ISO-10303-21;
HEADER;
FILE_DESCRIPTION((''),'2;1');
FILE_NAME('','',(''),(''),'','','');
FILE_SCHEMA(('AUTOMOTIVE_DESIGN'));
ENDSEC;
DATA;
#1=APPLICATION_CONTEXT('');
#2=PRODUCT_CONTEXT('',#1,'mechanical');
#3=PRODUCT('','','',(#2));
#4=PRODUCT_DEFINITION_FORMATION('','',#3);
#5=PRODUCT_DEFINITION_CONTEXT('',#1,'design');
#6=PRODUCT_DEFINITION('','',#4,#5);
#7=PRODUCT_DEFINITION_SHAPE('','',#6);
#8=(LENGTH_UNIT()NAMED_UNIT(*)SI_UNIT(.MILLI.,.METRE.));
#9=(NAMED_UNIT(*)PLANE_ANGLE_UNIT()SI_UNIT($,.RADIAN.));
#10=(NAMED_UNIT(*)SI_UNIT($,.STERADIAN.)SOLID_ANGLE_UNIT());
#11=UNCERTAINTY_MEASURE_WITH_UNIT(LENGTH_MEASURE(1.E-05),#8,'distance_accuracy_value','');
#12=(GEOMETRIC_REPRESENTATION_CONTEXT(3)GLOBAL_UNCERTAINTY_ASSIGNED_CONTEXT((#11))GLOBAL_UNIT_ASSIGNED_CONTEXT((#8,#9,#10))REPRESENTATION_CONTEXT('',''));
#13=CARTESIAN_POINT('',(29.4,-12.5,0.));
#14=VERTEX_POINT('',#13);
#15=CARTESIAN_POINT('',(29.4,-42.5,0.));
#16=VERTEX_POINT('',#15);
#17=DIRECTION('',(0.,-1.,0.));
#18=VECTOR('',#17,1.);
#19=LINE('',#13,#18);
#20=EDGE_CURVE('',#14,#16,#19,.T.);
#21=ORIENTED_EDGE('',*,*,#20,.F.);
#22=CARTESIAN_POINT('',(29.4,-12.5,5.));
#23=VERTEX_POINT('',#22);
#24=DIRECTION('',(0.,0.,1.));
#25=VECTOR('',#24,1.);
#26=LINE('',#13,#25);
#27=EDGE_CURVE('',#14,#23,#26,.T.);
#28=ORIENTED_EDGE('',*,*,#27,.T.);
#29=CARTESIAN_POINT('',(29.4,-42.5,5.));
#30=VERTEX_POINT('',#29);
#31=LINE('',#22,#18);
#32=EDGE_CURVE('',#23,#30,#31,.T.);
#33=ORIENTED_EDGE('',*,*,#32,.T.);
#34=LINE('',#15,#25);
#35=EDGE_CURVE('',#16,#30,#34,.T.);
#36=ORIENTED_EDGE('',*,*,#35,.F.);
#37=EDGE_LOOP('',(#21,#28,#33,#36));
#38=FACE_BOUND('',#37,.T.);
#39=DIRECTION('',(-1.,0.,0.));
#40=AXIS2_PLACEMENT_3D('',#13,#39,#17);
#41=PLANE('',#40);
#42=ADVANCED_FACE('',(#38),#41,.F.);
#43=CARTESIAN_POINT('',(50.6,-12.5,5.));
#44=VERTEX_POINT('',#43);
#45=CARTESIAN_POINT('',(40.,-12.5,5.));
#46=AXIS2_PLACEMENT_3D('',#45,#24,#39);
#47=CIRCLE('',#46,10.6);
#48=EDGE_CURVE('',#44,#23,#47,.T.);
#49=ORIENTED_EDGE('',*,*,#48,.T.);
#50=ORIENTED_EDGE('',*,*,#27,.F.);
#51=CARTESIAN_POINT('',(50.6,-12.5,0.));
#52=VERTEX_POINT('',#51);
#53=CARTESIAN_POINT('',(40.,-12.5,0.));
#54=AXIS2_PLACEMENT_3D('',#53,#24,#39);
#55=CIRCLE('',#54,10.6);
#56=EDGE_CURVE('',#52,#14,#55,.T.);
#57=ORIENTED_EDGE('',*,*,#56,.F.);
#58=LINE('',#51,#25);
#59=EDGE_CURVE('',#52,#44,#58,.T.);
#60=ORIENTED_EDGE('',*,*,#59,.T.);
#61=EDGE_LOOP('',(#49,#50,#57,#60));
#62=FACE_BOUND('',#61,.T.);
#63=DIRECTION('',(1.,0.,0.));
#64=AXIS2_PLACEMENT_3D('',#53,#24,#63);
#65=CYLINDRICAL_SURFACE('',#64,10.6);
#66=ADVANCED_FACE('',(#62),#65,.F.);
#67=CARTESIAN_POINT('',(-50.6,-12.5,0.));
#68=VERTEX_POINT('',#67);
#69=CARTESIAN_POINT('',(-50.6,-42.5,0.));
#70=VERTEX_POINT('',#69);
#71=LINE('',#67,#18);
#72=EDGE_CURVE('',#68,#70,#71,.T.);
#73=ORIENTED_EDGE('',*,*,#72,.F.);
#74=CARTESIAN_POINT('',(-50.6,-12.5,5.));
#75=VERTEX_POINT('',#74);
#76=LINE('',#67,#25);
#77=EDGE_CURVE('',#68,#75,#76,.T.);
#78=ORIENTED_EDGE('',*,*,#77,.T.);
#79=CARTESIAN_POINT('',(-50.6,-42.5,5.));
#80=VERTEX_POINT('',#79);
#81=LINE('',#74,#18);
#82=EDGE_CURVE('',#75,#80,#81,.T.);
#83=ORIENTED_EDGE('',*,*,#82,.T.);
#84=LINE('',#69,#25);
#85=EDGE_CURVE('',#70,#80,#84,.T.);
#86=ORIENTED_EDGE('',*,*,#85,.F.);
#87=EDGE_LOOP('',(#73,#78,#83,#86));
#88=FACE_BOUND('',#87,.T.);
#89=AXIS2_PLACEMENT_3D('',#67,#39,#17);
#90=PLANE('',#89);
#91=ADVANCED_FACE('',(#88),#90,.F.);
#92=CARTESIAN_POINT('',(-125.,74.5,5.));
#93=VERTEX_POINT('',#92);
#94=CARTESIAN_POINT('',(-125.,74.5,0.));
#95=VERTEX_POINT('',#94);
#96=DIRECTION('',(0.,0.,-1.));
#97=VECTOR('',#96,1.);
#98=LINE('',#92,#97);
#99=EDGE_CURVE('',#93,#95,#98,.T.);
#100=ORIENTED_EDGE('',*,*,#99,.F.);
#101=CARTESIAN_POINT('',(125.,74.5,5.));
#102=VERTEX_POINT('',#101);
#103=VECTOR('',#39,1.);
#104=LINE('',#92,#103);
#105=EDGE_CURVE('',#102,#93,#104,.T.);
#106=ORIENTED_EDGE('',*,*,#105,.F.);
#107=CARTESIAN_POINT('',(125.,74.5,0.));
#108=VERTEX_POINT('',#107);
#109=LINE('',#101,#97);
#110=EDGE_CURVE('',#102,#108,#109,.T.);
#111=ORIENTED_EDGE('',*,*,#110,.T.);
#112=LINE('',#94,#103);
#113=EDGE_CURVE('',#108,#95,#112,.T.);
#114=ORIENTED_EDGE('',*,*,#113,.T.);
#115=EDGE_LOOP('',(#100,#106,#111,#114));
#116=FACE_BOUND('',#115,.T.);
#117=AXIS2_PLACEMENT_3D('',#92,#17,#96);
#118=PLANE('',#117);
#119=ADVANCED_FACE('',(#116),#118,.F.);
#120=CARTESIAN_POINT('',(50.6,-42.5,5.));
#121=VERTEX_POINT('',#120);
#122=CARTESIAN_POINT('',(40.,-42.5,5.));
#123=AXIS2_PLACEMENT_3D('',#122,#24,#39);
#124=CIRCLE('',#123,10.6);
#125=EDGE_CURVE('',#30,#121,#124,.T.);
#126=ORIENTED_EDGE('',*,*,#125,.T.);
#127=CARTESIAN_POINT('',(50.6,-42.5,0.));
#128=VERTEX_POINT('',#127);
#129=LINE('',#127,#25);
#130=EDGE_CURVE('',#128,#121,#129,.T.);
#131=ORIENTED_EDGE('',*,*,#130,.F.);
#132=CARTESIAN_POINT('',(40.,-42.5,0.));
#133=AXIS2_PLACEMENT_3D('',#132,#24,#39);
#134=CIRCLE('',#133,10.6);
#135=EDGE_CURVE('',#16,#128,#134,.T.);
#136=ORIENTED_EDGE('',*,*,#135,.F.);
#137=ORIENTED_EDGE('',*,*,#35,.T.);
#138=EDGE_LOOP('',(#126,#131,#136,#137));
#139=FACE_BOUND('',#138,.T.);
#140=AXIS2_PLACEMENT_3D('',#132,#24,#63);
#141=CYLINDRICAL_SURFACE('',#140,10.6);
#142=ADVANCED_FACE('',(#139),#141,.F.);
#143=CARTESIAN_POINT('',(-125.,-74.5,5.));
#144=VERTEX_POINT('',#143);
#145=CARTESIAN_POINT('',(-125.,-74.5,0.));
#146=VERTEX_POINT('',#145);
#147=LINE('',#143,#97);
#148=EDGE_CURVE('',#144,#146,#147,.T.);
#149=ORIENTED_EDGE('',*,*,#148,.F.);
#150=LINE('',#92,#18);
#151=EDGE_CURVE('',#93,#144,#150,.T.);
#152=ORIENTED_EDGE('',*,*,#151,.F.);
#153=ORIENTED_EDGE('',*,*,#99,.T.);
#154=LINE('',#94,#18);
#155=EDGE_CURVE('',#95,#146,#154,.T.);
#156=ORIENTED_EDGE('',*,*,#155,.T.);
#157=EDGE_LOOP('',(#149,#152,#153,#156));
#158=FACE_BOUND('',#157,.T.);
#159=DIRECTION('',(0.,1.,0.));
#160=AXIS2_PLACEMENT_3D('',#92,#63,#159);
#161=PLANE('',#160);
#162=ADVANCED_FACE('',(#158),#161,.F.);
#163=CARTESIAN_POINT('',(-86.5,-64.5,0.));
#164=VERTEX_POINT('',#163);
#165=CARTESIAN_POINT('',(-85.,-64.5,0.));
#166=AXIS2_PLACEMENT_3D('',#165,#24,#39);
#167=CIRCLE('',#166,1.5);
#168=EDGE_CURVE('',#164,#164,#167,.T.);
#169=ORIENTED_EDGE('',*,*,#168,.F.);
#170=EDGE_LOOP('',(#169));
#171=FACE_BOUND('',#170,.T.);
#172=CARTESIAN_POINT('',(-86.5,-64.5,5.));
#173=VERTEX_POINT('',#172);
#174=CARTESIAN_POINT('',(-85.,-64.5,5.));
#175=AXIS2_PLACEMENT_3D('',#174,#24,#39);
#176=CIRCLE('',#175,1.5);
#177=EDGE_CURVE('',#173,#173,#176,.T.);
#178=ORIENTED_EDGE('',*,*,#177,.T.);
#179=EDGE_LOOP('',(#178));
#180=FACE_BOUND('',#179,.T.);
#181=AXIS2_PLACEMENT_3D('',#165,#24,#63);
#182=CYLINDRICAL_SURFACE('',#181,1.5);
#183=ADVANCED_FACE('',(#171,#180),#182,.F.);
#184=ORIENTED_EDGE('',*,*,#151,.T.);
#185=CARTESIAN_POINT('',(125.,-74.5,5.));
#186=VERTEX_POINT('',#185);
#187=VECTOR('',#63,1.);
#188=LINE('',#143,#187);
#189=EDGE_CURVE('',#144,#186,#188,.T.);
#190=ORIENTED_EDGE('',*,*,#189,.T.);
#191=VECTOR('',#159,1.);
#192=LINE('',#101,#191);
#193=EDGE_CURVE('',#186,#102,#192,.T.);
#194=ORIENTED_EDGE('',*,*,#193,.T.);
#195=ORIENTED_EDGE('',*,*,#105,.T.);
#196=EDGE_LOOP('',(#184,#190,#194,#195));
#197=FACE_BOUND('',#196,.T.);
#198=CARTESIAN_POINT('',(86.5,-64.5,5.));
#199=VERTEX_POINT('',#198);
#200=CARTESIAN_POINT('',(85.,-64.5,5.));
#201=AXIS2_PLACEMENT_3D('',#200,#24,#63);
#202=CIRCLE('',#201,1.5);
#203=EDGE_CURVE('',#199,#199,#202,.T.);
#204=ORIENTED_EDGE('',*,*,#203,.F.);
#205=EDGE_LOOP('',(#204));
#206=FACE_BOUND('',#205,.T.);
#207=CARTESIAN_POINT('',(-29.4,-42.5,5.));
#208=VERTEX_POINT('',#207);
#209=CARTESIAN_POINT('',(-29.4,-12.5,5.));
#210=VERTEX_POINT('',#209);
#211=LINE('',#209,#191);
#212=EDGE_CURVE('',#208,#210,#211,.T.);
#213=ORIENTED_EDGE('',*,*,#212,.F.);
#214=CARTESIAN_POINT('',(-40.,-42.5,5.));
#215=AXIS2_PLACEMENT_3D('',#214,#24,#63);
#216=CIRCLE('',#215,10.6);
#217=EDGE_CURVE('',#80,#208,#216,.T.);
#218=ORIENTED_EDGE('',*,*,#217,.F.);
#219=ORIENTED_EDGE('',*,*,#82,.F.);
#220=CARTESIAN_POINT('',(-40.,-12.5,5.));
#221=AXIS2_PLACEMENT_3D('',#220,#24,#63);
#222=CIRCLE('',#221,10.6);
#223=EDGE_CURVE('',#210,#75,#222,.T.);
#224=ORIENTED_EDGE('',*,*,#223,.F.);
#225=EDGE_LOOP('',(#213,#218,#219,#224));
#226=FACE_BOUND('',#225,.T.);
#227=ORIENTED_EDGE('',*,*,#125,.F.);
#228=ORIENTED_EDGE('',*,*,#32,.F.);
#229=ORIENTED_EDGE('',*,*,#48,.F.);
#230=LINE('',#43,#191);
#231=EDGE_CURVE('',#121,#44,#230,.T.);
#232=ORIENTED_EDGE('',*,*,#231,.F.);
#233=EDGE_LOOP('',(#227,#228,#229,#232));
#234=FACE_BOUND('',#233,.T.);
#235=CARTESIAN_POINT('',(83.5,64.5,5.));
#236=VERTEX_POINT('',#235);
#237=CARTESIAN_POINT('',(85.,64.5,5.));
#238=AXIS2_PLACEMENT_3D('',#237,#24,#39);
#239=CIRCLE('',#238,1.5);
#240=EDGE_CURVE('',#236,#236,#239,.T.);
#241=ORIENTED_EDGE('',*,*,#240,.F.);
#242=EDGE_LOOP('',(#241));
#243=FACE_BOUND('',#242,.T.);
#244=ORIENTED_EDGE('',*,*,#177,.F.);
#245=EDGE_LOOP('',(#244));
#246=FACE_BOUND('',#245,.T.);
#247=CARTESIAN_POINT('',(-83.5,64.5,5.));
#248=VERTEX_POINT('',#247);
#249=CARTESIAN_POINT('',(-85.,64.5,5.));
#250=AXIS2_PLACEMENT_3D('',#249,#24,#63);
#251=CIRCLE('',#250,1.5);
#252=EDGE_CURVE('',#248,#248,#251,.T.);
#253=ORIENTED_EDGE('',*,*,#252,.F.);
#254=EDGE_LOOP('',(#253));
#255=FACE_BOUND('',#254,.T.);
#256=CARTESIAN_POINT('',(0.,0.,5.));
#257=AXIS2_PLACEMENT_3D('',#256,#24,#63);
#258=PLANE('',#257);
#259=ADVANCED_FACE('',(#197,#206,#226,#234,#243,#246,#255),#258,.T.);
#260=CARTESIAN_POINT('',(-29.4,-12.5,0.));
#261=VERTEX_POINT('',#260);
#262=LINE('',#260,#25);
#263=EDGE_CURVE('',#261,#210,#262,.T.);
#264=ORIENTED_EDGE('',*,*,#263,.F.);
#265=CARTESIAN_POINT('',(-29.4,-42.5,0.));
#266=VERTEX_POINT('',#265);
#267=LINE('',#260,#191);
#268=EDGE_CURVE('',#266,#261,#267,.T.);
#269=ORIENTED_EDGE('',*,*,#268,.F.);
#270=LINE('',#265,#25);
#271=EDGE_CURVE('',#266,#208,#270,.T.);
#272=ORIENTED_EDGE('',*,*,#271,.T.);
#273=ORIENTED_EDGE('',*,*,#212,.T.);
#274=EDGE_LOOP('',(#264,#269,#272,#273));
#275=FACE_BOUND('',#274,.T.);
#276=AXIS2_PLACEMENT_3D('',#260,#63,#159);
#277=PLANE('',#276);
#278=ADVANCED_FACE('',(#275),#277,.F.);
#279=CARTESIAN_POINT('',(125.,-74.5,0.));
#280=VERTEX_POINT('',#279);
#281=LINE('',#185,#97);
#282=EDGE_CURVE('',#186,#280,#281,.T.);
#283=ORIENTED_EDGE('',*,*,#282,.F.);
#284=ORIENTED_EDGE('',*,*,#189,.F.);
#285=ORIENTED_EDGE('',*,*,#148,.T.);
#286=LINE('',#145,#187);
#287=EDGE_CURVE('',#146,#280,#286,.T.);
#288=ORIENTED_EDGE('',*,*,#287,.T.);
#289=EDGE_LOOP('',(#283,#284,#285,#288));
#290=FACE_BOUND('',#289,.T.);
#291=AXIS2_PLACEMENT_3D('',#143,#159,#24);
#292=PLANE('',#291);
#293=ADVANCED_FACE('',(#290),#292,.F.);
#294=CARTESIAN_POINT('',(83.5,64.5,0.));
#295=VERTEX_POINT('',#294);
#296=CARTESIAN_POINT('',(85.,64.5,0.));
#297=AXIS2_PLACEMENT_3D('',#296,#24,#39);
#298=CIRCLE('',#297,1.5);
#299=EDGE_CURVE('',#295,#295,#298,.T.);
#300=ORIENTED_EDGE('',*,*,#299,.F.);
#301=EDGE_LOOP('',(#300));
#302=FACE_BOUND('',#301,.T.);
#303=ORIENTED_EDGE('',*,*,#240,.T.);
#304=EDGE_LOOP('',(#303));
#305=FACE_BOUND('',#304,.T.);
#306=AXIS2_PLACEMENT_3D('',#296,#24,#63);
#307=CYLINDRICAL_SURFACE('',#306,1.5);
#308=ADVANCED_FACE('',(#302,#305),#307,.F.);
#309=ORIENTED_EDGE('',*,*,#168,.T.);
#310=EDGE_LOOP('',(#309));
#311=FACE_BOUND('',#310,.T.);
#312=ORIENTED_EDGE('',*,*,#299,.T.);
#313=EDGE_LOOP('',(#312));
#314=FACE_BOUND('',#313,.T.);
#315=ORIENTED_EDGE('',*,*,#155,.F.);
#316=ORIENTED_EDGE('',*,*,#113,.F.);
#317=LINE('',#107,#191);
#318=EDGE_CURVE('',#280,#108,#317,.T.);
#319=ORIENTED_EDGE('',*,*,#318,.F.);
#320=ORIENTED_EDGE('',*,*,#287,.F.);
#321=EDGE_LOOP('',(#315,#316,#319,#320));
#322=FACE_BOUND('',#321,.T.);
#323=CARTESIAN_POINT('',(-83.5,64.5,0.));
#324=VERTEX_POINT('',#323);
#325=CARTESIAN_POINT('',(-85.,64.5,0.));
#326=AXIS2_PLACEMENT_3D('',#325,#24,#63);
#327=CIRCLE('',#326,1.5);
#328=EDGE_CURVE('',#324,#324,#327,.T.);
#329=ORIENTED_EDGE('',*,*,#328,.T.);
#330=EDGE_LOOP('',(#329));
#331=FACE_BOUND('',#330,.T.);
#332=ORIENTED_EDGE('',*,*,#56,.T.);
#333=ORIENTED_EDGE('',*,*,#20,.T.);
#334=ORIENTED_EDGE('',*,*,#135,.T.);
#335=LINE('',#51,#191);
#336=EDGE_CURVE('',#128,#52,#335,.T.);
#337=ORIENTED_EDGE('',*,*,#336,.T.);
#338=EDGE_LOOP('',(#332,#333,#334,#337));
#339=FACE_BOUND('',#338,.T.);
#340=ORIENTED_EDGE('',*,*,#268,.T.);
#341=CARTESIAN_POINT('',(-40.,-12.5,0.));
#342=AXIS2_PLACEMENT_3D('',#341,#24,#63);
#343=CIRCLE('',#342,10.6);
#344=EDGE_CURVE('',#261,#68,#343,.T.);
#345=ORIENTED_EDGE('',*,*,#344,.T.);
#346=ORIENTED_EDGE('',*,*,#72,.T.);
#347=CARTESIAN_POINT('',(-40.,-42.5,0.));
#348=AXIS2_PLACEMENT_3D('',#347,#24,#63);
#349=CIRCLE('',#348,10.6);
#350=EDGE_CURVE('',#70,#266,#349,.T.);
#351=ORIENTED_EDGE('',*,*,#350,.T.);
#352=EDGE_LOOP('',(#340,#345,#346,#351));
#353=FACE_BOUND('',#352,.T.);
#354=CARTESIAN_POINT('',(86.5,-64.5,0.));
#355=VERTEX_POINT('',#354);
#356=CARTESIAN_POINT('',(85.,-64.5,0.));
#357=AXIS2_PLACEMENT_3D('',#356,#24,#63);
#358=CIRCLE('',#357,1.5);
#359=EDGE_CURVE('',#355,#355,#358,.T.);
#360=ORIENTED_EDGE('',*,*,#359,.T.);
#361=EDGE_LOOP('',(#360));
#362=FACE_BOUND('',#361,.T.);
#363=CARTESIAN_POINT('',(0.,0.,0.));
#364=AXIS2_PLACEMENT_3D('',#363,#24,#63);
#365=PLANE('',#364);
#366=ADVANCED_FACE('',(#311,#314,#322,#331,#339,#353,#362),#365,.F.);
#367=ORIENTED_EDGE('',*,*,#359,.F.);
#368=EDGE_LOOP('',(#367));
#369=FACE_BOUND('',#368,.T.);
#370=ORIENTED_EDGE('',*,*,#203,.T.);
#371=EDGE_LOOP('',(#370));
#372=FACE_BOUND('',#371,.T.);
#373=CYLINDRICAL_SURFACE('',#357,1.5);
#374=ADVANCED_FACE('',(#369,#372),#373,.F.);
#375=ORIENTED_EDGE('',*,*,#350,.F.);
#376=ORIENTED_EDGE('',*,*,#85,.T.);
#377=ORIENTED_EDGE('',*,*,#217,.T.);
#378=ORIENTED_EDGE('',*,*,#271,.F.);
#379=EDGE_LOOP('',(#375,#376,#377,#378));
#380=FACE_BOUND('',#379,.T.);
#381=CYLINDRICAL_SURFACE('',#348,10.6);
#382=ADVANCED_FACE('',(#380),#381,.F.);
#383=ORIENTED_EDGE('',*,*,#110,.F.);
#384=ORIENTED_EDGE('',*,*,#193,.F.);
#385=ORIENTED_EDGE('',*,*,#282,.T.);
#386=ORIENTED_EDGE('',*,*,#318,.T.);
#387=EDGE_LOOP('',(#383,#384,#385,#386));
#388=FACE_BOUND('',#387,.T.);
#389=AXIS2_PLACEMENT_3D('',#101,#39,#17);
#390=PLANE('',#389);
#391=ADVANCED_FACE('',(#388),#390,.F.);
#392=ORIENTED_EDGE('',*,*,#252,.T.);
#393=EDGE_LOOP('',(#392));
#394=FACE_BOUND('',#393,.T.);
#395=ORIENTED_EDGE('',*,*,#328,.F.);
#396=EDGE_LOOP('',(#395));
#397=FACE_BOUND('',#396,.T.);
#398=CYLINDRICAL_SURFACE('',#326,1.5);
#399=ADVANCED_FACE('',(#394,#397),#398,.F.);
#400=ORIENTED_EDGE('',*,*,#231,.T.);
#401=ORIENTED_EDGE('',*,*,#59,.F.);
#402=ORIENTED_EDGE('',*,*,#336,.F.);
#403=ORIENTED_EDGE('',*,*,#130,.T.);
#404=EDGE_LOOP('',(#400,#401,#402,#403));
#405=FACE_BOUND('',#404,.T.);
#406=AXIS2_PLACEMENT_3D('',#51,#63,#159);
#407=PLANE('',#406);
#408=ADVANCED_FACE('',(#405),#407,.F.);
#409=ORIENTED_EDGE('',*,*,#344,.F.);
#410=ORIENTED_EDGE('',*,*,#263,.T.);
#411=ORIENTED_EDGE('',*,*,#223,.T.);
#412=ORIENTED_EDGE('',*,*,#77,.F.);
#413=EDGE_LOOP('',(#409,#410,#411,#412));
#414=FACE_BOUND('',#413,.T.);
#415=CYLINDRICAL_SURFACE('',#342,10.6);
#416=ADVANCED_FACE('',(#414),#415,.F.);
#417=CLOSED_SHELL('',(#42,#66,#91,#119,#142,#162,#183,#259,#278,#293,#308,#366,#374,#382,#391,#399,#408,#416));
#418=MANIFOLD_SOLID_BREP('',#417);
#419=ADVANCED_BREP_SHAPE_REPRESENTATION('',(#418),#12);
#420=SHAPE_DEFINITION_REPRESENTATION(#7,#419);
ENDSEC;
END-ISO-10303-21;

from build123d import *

# Parameters (mm, degrees)
ESQUISSE1_W             = 250
ESQUISSE1_H             = 149
BOSS_EXTRU_1_DEPTH      = 5
ESQUISSE2_R             = 1.5
ENL_V_MAT_EXTRU_1_DEPTH = 5
ENL_V_MAT_EXTRU_2_DEPTH = 5


with BuildPart() as part:
    # Esquisse1 → Boss.-Extru.1 (new body)
    with BuildSketch(Plane.XY):
        Rectangle(ESQUISSE1_W, ESQUISSE1_H)
    extrude(amount=BOSS_EXTRU_1_DEPTH)

    # Esquisse2 → Enlèv. mat.-Extru.1 (cut)
    with BuildSketch(Plane.XY.offset(5)):
        with Locations((-85, 64.5)):
            Circle(ESQUISSE2_R)
        with Locations(Location((-85, -64.5, 0), (0, 0, 180))):
            Circle(ESQUISSE2_R)
        with Locations((85, -64.5)):
            Circle(ESQUISSE2_R)
        with Locations(Location((85, 64.5, 0), (0, 0, 180))):
            Circle(ESQUISSE2_R)
    extrude(amount=-ENL_V_MAT_EXTRU_1_DEPTH, mode=Mode.SUBTRACT)

    # Esquisse3 → Enlèv. mat.-Extru.2 (cut)
    with BuildSketch(Plane.XY.offset(5)):
        with BuildLine():
            Line((-29.4, -12.5), (-29.4, -42.5))
            ThreePointArc((-29.4, -42.5), (-40, -53.1), (-50.6, -42.5))
            Line((-50.6, -42.5), (-50.6, -12.5))
            ThreePointArc((-50.6, -12.5), (-40, -1.9), (-29.4, -12.5))
        make_face()
        with BuildLine():
            Line((29.4, -12.5), (29.4, -42.5))
            ThreePointArc((29.4, -42.5), (40, -53.1), (50.6, -42.5))
            Line((50.6, -42.5), (50.6, -12.5))
            ThreePointArc((50.6, -12.5), (40, -1.9), (29.4, -12.5))
        make_face()
    extrude(amount=-ENL_V_MAT_EXTRU_2_DEPTH, mode=Mode.SUBTRACT)


solid = part.part
